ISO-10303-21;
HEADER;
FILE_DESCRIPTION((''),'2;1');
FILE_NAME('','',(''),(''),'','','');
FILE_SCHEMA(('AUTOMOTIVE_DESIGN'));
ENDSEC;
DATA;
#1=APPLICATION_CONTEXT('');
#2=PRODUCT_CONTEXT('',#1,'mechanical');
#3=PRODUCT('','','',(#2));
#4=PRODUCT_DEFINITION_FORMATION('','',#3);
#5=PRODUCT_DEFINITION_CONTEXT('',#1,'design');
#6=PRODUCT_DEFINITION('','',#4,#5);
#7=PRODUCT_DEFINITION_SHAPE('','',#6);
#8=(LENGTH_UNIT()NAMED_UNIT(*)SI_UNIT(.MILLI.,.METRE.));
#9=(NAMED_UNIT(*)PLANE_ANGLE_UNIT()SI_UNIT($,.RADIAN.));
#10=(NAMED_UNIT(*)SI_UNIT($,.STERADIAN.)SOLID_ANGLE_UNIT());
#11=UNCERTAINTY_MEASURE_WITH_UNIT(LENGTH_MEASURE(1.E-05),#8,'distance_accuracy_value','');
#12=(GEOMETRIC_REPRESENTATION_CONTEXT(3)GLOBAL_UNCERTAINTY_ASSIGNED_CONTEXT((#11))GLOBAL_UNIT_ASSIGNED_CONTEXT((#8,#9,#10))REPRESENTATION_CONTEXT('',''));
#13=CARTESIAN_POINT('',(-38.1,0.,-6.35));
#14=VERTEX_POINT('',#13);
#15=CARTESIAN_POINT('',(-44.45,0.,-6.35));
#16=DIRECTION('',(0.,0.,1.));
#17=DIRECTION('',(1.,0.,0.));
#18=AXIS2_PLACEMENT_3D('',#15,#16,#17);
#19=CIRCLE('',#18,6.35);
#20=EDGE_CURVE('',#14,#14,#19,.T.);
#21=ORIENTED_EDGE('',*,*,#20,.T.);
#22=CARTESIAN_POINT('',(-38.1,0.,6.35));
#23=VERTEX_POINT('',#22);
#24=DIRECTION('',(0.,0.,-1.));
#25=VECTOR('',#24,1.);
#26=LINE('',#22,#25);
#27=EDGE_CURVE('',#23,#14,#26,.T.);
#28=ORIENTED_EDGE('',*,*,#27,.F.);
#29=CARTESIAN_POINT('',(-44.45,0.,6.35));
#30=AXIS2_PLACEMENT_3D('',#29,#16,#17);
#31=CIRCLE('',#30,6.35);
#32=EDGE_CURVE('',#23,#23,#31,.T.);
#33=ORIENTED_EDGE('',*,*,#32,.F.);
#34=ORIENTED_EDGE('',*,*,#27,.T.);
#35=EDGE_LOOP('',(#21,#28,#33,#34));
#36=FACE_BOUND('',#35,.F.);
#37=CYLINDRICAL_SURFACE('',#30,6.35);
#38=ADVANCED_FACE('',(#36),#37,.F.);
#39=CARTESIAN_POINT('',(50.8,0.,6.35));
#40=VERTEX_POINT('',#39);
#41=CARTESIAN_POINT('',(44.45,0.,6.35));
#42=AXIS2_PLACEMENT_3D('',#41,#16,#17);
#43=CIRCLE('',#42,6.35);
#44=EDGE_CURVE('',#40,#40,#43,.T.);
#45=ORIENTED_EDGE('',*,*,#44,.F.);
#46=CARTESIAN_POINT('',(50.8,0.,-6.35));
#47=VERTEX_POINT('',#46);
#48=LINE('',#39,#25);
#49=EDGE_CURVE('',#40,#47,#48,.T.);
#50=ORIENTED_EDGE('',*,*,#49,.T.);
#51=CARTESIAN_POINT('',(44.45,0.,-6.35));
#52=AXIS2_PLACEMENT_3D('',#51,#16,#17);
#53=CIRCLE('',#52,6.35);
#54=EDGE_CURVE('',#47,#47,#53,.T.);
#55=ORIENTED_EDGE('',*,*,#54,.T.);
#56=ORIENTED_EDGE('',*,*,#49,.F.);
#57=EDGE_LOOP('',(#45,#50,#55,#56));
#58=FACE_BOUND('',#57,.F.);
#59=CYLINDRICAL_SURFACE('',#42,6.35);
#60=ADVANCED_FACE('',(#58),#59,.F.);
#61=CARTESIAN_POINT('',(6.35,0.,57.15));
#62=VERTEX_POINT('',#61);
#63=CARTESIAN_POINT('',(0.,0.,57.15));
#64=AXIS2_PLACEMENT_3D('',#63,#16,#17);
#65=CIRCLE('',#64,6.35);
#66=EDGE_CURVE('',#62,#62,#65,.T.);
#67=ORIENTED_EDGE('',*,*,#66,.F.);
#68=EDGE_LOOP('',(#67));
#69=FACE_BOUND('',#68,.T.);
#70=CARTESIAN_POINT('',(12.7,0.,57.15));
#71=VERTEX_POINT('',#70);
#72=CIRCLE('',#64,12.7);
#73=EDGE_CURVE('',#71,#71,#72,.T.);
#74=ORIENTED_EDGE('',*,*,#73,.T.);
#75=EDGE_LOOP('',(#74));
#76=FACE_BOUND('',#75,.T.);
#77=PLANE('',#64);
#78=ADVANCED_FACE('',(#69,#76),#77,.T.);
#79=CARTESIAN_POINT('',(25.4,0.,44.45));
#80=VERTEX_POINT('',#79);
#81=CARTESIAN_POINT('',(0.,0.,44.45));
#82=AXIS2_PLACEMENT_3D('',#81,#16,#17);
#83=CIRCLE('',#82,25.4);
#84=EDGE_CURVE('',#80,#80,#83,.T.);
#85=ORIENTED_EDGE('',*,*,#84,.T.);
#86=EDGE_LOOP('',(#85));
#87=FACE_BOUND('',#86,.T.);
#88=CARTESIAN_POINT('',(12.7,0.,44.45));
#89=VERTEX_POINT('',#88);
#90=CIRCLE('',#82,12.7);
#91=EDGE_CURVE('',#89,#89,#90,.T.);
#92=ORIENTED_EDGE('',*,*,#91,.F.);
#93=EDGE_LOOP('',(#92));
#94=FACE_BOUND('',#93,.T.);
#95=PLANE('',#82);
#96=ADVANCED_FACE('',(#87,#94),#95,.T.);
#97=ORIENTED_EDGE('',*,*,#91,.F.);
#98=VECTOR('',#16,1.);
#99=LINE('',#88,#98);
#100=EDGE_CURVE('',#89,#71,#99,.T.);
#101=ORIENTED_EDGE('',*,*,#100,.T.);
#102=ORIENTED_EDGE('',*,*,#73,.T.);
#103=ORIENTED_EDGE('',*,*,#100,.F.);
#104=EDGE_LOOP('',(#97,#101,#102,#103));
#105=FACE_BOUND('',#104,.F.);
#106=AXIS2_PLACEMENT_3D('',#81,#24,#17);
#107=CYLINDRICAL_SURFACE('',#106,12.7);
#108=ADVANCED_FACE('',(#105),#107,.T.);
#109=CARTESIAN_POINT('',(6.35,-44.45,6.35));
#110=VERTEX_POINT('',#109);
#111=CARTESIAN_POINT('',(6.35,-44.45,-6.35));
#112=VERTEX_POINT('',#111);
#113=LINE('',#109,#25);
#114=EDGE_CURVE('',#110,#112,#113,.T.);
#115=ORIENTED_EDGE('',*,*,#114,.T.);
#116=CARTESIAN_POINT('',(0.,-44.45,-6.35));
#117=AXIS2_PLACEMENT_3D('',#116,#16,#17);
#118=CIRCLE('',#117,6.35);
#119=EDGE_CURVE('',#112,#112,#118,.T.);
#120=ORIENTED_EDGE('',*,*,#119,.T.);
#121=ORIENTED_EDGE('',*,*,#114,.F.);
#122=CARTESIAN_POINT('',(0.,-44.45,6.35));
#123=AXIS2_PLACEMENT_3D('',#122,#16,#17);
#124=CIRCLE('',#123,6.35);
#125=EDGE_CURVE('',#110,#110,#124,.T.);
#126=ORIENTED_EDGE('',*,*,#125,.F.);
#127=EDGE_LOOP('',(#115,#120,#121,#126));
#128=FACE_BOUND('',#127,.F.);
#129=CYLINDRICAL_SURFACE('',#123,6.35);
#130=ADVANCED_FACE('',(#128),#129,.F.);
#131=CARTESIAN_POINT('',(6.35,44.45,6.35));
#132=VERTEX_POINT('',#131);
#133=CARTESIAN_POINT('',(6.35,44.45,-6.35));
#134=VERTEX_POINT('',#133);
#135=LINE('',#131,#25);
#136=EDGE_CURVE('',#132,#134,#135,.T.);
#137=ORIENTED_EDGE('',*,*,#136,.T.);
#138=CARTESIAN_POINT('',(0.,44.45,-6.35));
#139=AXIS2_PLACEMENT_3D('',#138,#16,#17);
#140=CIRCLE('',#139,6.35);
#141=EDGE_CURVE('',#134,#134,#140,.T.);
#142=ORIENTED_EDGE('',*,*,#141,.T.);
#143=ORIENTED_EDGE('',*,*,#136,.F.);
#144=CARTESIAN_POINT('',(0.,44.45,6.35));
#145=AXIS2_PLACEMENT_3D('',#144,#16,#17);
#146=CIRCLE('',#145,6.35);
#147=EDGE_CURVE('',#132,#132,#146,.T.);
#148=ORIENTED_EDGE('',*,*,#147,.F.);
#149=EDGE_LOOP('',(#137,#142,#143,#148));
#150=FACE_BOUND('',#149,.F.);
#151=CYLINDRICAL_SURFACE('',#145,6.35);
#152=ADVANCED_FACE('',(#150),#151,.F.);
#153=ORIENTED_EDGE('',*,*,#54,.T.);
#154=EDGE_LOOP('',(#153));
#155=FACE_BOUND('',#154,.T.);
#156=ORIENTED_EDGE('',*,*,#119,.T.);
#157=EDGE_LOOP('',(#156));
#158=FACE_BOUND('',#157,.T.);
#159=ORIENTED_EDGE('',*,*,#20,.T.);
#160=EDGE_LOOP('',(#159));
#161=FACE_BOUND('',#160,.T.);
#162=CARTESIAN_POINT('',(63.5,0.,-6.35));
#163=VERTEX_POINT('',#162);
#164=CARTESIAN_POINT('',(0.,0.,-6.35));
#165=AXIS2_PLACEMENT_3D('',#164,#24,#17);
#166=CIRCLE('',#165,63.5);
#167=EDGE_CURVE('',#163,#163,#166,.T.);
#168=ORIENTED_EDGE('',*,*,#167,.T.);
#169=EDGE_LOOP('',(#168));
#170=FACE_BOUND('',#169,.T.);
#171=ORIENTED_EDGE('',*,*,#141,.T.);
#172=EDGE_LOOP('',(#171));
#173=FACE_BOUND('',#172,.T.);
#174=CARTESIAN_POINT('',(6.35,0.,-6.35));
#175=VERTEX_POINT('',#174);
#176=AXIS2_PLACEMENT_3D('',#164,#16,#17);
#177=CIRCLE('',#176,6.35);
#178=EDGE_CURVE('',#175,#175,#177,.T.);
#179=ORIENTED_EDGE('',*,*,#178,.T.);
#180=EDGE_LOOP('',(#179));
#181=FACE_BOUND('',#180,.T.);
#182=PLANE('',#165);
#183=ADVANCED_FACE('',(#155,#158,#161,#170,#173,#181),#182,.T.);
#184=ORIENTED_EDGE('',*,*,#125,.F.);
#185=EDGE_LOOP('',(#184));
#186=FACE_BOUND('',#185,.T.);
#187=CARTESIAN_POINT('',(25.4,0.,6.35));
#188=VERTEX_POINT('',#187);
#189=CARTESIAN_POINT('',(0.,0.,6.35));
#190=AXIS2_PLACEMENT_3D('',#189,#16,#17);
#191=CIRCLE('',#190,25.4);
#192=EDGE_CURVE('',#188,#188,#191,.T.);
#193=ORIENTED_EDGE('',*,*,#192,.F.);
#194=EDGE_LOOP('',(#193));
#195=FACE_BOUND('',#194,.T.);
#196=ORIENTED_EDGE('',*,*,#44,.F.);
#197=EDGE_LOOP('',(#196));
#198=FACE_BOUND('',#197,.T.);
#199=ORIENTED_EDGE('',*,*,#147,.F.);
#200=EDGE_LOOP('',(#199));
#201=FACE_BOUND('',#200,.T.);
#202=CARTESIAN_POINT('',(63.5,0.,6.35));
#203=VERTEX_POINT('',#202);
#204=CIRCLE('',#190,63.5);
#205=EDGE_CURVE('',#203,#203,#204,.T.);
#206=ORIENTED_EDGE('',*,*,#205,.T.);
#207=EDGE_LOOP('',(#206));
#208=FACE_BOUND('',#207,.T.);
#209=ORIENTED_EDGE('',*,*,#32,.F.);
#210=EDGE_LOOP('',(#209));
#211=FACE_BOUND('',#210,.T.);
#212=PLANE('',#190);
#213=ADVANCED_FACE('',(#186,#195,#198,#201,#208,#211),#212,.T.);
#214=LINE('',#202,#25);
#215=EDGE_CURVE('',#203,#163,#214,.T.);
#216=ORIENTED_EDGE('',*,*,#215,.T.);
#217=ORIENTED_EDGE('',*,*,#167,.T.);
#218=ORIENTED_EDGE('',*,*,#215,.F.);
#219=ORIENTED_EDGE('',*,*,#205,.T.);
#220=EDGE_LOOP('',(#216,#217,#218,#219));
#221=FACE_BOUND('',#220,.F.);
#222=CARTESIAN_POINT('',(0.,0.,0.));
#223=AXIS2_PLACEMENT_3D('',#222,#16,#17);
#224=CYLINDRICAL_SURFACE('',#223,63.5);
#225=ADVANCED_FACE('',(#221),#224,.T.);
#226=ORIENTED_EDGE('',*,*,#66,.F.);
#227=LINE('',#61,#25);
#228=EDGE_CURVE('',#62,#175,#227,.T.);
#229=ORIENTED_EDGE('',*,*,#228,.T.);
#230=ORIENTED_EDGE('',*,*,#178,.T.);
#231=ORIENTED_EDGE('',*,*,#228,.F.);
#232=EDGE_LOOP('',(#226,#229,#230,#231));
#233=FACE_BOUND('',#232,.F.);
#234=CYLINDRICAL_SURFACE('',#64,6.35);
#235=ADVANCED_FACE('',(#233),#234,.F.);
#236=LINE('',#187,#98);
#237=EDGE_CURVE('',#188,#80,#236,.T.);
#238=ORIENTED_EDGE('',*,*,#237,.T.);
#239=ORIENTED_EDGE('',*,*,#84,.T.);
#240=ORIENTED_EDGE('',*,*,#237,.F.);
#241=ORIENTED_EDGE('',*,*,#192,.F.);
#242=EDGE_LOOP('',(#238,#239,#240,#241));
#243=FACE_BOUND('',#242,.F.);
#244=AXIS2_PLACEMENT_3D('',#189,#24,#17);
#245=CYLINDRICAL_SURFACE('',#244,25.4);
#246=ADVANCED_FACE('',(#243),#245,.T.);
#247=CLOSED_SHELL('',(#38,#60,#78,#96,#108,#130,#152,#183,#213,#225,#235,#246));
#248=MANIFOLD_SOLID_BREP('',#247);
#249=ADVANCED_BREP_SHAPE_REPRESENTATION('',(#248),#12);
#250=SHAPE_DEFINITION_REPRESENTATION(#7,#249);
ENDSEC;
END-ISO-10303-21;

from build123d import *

# Parameters (mm, degrees)
F0_R      = 63.5
F1_DEPTH  = 6.35
F1_FACE_R = 63.5
F2_DEPTH  = 6.35
F3_R      = 6.35
F4_DEPTH  = 12.7
F3_R_2    = 25.4
F5_DEPTH  = 38.1
F6_R      = 12.7
F7_DEPTH  = 12.7
F8_R      = 6.35
F9_DEPTH  = 63.5


with BuildPart() as f1:
    # F0 (on Top) → F1 (new body)
    with BuildSketch(Plane.XY):
        Circle(F0_R)
    extrude(amount=F1_DEPTH)

    # F1_face (on face) → F2 (join)
    with BuildSketch(Plane(origin=(0, 0, 0), x_dir=(1, 0, 0), z_dir=(0, 0, -1))):
        Circle(F1_FACE_R)
    extrude(amount=F2_DEPTH)

    # F3 (on face) → F4 (cut)
    with BuildSketch(Plane.XY.offset(6.35)):
        with Locations((-44.45, 0)):
            Circle(F3_R)
        with Locations((0, 44.45)):
            Circle(F3_R)
        with Locations((44.45, 0)):
            Circle(F3_R)
        with Locations((0, -44.45)):
            Circle(F3_R)
    extrude(amount=-F4_DEPTH, mode=Mode.SUBTRACT)

    # F3 (on face) → F5 (join)
    with BuildSketch(Plane.XY.offset(6.35)):
        Circle(F3_R_2)
    extrude(amount=F5_DEPTH)

    # F6 (on face) → F7 (join)
    with BuildSketch(Plane.XY.offset(44.45)):
        Circle(F6_R)
    extrude(amount=F7_DEPTH)

    # F8 (on face) → F9 (cut)
    with BuildSketch(Plane.XY.offset(57.15)):
        Circle(F8_R)
    extrude(amount=-F9_DEPTH, mode=Mode.SUBTRACT)


solid = f1.part
